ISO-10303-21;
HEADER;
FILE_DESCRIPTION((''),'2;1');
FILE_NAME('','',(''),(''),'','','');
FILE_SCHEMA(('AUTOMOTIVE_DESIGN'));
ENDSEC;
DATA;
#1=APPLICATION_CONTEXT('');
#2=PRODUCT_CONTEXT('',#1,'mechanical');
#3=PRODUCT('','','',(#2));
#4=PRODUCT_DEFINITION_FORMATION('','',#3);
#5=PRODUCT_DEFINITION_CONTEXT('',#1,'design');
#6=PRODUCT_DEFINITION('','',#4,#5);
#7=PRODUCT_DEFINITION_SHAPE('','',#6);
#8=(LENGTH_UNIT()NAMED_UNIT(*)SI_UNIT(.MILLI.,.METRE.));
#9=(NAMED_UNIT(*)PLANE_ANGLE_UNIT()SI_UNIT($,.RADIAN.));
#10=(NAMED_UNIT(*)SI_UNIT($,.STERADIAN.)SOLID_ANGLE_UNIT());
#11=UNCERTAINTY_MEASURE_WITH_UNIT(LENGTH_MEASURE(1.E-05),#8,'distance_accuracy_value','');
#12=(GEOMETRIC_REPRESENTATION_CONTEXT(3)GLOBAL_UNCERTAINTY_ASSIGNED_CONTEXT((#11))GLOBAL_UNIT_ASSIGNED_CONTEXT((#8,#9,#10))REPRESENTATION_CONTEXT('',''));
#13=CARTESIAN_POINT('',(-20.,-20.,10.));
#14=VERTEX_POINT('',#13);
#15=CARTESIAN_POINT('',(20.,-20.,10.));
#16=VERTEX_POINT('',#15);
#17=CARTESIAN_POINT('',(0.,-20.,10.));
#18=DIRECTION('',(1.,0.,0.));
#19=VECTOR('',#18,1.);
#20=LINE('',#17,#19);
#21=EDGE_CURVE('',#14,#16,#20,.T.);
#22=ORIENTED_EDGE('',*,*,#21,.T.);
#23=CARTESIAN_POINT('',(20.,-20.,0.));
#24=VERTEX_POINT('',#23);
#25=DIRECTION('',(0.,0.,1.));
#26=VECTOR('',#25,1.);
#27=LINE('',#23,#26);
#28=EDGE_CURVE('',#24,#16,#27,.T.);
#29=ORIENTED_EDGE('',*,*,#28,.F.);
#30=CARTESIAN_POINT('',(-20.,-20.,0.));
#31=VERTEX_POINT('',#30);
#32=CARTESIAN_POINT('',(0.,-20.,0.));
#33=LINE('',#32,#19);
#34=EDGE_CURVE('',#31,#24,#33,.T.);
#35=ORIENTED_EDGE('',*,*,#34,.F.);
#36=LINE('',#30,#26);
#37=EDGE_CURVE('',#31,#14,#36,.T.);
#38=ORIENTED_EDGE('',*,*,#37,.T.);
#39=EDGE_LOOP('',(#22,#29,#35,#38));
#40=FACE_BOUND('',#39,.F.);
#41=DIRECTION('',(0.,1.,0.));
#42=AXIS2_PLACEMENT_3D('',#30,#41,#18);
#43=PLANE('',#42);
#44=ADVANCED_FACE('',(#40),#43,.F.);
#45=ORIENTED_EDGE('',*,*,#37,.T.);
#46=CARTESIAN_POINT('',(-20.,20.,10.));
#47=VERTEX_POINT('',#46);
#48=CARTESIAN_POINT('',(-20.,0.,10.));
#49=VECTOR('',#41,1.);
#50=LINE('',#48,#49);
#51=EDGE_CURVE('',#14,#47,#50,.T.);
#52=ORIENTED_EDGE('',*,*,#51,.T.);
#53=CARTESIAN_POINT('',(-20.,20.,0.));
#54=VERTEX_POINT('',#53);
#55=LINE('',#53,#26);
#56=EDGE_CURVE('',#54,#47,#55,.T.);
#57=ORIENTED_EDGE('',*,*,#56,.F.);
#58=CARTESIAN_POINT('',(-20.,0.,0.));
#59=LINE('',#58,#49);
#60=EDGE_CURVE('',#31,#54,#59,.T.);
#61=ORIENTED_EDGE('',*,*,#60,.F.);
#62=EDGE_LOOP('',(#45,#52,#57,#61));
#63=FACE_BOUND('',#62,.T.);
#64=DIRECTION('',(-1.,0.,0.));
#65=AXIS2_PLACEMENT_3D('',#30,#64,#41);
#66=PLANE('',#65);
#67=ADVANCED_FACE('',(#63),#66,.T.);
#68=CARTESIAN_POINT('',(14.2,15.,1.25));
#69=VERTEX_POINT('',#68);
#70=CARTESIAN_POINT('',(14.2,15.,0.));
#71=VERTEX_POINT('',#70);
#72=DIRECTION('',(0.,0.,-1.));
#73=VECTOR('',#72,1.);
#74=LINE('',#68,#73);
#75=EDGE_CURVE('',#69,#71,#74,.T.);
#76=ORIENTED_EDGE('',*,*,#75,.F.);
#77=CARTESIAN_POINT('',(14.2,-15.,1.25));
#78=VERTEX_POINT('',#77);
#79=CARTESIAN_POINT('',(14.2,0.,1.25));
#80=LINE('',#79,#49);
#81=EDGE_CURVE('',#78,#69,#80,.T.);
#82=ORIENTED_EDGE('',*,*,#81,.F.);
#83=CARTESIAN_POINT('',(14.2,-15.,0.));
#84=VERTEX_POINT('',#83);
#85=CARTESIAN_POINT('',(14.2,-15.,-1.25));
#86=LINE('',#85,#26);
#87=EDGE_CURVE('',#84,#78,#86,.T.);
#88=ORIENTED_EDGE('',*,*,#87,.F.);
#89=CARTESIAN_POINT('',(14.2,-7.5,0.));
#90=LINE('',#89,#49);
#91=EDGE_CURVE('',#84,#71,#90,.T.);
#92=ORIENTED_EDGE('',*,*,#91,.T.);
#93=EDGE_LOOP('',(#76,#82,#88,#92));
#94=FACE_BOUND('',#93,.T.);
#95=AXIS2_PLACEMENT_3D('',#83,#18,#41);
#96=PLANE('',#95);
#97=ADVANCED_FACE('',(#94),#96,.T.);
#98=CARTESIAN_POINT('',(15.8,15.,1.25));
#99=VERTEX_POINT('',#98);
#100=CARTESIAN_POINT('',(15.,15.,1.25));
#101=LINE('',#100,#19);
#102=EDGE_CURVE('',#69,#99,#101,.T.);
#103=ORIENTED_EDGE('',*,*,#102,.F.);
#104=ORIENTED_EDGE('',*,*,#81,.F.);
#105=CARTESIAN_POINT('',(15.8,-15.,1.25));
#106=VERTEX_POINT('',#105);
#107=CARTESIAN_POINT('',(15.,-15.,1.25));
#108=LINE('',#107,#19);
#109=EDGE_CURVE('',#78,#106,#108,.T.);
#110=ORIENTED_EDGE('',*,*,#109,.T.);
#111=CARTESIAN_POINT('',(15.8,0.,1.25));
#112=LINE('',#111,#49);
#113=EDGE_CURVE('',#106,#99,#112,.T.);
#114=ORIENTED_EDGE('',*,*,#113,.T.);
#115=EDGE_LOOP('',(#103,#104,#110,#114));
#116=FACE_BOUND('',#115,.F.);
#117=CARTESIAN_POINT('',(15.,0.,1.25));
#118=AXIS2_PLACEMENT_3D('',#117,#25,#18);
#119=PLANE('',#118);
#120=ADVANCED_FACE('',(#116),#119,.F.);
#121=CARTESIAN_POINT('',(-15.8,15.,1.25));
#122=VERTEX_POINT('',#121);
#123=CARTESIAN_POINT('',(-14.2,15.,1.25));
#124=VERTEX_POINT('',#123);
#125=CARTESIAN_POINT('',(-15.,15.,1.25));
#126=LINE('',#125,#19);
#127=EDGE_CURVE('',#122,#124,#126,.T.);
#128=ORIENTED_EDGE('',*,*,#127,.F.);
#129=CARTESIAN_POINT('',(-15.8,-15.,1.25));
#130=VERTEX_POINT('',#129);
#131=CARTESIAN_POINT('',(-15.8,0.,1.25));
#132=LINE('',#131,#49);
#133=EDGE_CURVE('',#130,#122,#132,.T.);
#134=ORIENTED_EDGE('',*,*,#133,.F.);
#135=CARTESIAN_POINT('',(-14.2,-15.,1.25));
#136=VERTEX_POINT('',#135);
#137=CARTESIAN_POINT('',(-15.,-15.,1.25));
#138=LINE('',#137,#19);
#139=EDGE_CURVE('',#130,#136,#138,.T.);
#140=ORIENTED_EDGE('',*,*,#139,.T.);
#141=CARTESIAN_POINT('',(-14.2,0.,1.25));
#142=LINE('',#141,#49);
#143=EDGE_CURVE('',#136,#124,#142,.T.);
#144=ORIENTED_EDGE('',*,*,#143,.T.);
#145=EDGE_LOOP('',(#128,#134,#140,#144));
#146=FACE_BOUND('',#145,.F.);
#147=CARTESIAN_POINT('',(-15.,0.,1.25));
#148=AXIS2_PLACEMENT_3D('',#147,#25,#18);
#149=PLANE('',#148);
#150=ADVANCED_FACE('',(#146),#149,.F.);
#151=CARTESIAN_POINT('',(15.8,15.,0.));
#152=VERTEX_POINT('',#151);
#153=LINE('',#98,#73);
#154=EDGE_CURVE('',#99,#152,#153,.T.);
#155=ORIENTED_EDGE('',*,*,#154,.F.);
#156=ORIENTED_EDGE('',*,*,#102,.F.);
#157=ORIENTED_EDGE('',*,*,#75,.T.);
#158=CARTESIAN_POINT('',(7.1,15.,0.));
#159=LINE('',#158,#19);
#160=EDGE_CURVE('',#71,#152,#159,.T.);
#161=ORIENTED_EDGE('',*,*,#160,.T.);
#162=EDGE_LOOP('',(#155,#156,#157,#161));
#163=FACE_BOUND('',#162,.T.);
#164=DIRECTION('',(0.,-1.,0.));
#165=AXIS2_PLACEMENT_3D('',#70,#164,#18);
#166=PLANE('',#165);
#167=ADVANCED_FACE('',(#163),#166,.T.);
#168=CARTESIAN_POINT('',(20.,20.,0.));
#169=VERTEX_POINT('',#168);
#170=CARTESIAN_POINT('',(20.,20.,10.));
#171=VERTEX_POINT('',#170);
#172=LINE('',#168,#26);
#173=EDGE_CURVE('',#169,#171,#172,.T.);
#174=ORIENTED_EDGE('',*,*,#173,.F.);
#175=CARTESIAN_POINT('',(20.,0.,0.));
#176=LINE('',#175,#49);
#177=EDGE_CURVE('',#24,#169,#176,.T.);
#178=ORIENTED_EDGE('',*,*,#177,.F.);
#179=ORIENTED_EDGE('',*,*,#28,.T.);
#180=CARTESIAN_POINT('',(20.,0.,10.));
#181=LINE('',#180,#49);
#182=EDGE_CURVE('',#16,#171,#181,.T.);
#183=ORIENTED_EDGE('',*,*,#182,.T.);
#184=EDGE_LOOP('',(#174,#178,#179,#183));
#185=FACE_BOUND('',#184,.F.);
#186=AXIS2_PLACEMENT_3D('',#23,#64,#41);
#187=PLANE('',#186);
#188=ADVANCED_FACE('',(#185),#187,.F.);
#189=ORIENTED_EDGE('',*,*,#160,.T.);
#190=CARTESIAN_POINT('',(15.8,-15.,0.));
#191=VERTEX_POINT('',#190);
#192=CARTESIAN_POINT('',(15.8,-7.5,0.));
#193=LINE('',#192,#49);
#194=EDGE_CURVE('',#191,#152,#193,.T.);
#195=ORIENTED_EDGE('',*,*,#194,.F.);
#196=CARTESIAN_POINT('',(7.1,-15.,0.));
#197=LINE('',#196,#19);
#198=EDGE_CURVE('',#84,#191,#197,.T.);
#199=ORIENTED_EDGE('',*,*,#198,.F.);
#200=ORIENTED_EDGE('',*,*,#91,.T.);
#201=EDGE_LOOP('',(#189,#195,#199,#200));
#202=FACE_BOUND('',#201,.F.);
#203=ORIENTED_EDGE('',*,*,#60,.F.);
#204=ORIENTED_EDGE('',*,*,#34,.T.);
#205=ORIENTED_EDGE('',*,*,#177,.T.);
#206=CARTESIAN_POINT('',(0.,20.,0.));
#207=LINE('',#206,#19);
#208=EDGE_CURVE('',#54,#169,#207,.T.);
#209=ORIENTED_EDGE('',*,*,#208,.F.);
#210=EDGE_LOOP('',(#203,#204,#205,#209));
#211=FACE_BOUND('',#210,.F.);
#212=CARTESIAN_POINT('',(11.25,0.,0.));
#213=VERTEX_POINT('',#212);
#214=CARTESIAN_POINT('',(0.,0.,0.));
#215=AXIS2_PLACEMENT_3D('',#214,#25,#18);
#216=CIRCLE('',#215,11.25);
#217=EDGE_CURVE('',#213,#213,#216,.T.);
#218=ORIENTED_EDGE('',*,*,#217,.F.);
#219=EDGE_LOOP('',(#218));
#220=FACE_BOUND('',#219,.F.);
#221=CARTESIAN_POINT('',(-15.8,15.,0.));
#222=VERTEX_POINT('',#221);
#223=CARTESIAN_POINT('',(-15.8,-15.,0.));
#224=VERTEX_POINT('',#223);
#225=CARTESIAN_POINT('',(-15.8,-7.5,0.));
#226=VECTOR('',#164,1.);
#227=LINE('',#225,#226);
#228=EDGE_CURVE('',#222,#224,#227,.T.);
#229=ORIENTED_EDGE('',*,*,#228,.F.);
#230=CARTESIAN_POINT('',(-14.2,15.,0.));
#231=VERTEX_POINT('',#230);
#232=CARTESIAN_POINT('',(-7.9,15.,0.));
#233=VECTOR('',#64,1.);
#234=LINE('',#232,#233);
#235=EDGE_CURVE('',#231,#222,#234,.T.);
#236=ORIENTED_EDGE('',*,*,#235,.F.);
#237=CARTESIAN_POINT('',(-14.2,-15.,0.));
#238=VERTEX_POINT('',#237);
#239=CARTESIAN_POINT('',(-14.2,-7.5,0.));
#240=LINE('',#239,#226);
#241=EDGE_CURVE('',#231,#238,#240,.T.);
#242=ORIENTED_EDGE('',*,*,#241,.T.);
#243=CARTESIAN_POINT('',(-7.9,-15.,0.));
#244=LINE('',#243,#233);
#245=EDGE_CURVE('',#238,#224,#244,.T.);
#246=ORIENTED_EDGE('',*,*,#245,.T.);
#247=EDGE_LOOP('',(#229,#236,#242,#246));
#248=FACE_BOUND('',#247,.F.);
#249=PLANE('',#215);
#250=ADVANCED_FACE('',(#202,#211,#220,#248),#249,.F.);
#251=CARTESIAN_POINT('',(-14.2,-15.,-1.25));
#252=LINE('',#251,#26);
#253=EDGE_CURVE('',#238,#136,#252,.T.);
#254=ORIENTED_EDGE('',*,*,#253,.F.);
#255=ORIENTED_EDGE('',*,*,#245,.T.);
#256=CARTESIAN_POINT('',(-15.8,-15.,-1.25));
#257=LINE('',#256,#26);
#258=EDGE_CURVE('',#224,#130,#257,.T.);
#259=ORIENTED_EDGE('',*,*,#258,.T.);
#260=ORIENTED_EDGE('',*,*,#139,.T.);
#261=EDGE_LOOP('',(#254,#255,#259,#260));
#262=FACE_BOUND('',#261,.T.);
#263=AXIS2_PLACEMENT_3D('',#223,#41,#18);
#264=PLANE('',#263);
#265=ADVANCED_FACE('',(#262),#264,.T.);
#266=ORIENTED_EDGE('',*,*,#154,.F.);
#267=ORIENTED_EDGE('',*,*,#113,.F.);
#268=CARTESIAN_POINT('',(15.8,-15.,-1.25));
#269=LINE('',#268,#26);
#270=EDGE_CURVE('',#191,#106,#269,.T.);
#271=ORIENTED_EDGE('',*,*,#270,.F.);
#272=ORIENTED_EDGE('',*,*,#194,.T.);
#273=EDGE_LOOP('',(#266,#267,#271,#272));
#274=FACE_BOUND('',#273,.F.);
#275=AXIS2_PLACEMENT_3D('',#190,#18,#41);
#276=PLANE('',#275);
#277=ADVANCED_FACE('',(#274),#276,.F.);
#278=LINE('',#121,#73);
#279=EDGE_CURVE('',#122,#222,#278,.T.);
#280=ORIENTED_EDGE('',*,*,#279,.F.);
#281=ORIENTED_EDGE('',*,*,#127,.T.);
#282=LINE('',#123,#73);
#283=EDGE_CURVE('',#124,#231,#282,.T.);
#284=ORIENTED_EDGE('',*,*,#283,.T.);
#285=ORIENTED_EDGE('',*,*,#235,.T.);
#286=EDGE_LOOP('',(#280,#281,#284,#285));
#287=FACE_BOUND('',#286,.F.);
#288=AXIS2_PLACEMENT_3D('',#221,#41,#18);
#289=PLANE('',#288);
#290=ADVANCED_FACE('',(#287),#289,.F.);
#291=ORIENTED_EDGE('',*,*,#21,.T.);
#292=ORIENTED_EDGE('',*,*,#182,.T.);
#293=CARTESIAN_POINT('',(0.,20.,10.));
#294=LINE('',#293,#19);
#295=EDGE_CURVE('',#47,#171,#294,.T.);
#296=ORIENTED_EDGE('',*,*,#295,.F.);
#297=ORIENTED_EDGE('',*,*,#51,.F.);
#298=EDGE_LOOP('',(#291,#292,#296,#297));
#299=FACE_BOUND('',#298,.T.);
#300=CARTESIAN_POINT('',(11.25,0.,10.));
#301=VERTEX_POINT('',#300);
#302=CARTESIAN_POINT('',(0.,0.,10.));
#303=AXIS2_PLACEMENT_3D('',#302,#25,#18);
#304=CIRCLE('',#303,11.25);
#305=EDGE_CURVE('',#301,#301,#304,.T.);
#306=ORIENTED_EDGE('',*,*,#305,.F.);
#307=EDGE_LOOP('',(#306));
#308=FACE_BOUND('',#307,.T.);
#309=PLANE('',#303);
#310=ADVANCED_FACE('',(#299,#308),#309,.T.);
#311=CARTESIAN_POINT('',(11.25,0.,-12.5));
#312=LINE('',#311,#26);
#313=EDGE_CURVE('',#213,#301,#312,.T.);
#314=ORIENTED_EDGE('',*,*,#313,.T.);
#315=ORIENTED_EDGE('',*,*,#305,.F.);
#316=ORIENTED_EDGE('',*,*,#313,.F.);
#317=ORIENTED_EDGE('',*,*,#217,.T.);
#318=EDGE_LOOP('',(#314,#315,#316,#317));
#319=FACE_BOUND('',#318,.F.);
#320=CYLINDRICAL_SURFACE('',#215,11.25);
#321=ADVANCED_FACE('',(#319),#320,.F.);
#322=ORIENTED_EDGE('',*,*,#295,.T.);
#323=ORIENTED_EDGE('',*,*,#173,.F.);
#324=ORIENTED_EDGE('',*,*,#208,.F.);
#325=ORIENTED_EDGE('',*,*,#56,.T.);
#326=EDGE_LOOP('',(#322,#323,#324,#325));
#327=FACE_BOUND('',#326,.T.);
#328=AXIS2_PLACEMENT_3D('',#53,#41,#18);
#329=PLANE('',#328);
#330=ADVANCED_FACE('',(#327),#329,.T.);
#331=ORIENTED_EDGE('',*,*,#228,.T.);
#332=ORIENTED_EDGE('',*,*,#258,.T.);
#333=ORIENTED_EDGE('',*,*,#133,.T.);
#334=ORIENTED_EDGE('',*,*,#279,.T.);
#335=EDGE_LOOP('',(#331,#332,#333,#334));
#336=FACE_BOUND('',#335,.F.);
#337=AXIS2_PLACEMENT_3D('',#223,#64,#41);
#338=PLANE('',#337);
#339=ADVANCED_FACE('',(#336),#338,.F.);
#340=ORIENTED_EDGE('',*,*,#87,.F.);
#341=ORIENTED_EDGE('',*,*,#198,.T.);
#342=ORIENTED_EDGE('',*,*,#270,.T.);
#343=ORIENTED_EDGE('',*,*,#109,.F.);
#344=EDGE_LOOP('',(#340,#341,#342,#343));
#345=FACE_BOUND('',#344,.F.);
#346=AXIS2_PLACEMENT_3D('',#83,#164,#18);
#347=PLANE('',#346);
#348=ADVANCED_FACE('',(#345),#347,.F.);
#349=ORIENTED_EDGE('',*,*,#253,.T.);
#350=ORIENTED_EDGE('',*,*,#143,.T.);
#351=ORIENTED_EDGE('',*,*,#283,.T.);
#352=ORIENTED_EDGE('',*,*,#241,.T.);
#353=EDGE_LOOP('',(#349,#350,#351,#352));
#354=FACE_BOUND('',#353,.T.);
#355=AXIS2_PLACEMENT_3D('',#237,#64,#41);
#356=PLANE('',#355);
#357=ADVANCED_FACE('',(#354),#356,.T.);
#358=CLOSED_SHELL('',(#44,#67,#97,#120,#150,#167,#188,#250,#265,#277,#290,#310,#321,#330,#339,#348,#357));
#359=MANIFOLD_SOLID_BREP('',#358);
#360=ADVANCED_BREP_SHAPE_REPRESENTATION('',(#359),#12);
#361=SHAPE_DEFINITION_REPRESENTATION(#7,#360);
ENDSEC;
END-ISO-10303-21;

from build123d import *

# Parameters (mm, degrees)
F0_W     = 40
F0_H     = 40
F1_DEPTH = 10
F2_W     = 1.6
F2_H     = 30
F3_DEPTH = 1.25
F4_R     = 11.25
F5_DEPTH = 12.5


with BuildPart() as f1:
    # F0 (on Top) → F1 (new body)
    with BuildSketch(Plane.XY):
        Rectangle(F0_W, F0_H)
    extrude(amount=F1_DEPTH)

    # F2 (on Top) → F3 (cut, symmetric)
    with BuildSketch(Plane.XY):
        with Locations((-15, 0)):
            Rectangle(F2_W, F2_H)
        with Locations((15, 0)):
            Rectangle(F2_W, F2_H)
    extrude(amount=F3_DEPTH, both=True, mode=Mode.SUBTRACT)

    # F4 (on Top) → F5 (cut, symmetric)
    with BuildSketch(Plane.XY):
        Circle(F4_R)
    extrude(amount=F5_DEPTH, both=True, mode=Mode.SUBTRACT)


solid = f1.part
